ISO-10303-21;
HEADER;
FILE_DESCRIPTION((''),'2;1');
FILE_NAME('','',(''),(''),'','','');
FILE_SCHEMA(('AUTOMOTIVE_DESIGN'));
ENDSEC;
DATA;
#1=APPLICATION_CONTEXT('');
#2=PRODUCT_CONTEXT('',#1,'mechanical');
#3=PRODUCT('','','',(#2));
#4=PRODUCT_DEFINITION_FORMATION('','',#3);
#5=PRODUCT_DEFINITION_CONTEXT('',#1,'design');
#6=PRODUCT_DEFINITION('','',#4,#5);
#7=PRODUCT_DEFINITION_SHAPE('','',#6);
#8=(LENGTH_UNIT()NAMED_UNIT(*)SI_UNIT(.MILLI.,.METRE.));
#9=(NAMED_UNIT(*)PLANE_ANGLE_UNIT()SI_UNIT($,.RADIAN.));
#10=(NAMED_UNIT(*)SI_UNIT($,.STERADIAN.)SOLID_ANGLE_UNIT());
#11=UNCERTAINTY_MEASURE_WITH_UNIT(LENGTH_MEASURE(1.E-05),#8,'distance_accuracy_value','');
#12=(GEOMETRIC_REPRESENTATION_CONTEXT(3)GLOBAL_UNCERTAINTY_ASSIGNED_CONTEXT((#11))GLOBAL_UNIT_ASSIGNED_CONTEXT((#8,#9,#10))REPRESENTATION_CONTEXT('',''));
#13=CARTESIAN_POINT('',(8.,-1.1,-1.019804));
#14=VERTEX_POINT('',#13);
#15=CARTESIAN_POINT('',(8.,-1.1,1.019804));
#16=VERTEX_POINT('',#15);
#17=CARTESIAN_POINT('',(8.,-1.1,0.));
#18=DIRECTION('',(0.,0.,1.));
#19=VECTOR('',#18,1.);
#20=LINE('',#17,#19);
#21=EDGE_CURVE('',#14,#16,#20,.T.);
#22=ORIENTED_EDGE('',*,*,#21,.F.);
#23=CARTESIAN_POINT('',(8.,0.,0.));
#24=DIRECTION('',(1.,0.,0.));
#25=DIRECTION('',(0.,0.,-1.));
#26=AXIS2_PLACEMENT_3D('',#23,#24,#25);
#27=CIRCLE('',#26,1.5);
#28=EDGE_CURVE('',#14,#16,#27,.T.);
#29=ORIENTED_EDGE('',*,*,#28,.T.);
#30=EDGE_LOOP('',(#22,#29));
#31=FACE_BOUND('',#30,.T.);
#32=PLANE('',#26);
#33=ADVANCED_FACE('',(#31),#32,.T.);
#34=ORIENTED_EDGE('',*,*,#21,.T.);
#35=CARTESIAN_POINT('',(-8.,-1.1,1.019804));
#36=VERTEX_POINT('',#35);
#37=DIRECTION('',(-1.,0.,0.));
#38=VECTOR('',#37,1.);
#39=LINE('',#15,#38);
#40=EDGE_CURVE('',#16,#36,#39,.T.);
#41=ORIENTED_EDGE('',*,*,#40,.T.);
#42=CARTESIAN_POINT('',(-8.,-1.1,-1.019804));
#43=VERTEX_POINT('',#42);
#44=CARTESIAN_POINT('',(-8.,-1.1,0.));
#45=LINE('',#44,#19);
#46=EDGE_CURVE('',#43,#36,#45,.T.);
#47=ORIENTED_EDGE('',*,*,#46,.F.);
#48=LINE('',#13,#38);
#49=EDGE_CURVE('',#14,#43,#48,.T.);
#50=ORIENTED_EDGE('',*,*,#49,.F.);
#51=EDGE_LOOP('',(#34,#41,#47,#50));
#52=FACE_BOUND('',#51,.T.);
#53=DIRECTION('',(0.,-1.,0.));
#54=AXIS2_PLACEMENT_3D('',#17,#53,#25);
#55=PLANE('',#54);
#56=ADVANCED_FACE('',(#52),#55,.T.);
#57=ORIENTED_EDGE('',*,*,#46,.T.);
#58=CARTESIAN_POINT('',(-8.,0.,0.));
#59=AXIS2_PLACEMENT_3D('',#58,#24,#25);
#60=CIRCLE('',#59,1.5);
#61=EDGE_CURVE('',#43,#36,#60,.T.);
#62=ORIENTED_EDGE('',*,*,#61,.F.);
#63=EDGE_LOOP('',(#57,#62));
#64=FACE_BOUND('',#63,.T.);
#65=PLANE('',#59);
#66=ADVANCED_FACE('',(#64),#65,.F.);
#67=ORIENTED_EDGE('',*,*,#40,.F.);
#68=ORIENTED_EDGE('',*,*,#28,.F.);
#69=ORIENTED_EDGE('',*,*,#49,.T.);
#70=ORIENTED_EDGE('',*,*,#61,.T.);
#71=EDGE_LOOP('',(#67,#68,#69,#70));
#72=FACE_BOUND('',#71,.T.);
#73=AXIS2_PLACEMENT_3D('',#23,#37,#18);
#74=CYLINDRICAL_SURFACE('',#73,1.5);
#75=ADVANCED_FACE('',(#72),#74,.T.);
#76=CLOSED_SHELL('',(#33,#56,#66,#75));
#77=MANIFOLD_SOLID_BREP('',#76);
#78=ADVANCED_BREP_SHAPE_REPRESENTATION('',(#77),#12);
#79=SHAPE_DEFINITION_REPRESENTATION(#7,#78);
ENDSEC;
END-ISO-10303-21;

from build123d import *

# Parameters (mm, degrees)
BOSS_EXTRUDE1_DEPTH = 8


with BuildPart() as part:
    # Sketch1 → Boss-Extrude1 (new, symmetric)
    with BuildSketch(Plane(origin=(0, 0, 0), x_dir=(0, 0, -1), z_dir=(1, 0, 0))):
        with BuildLine():
            Line((-1.019803903, -1.1), (1.019803903, -1.1))
            ThreePointArc((1.019803903, -1.1), (1.374719218, -0.600122548), (1.5, 0))
            ThreePointArc((1.5, 0), (-0.600122548, 1.374719218), (-1.019803903, -1.1))
        make_face()
    extrude(amount=BOSS_EXTRUDE1_DEPTH, both=True)


solid = part.part
